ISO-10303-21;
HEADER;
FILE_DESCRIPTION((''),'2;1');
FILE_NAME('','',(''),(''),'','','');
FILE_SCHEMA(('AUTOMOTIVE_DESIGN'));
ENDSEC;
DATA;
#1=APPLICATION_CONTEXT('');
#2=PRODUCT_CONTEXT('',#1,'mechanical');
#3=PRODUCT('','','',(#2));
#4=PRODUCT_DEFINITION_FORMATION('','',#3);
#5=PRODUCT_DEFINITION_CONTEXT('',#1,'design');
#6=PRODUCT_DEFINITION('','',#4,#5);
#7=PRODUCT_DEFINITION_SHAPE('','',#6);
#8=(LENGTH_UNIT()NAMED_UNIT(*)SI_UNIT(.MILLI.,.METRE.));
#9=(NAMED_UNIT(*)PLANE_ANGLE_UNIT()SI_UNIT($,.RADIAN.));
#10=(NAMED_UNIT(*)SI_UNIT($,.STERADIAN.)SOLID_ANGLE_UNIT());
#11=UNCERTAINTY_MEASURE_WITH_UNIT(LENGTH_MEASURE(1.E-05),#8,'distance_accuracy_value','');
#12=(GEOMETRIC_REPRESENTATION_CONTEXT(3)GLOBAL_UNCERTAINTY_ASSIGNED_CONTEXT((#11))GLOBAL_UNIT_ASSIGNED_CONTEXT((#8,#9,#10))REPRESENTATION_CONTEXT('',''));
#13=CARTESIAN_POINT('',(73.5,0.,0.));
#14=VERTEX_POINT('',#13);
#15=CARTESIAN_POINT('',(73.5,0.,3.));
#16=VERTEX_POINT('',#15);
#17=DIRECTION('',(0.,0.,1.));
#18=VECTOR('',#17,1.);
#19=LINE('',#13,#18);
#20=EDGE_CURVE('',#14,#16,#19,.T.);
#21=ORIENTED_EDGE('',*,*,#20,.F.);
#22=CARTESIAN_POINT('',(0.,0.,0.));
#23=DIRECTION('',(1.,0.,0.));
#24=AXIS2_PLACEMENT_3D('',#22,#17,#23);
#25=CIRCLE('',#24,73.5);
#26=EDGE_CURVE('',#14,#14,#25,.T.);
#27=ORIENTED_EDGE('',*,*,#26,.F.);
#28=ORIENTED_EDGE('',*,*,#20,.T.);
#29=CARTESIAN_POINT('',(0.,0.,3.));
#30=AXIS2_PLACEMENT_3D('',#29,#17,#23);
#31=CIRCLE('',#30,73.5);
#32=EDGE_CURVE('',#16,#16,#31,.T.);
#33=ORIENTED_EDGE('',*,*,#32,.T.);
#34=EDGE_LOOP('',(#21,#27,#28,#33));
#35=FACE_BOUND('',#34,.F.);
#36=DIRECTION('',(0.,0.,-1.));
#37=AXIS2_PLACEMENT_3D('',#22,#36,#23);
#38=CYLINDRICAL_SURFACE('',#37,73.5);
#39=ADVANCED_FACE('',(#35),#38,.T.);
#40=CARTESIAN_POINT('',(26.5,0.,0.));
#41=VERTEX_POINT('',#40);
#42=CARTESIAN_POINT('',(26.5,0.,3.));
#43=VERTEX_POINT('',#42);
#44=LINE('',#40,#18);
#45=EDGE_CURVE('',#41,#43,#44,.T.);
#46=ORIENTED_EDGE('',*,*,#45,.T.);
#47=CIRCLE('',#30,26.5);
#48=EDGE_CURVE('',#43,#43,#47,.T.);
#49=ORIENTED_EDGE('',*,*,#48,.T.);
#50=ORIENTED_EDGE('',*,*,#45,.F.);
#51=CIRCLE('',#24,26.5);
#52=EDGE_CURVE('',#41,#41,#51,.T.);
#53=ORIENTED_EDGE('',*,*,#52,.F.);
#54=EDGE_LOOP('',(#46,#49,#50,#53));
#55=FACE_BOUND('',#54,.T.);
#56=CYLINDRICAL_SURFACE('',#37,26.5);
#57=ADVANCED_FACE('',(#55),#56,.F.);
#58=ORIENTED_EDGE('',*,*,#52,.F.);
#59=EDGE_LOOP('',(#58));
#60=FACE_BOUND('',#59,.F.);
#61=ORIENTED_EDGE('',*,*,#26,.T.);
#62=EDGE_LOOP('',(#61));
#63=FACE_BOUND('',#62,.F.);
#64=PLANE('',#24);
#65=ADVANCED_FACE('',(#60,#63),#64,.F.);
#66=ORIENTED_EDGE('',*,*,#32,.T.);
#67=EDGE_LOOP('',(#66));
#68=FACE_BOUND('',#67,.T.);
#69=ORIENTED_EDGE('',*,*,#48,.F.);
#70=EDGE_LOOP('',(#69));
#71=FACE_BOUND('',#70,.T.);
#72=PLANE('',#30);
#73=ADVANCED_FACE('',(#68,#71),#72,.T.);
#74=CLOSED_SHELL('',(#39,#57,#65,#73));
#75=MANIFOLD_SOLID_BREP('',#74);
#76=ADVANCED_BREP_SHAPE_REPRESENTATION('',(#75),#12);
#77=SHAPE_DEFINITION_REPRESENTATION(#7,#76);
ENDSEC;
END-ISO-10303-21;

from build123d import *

# Parameters (mm, degrees)
F0_R     = 73.5
F0_R_2   = 70.5
F0_R_3   = 26.5
F1_DEPTH = 3


with BuildPart() as f1:
    # F0 (on Top) → F1 (new body)
    with BuildSketch(Plane.XY):
        Circle(F0_R)
        Circle(F0_R_2, mode=Mode.SUBTRACT)
        Circle(F0_R_2)
        Circle(F0_R_3, mode=Mode.SUBTRACT)
    extrude(amount=F1_DEPTH)


solid = f1.part
